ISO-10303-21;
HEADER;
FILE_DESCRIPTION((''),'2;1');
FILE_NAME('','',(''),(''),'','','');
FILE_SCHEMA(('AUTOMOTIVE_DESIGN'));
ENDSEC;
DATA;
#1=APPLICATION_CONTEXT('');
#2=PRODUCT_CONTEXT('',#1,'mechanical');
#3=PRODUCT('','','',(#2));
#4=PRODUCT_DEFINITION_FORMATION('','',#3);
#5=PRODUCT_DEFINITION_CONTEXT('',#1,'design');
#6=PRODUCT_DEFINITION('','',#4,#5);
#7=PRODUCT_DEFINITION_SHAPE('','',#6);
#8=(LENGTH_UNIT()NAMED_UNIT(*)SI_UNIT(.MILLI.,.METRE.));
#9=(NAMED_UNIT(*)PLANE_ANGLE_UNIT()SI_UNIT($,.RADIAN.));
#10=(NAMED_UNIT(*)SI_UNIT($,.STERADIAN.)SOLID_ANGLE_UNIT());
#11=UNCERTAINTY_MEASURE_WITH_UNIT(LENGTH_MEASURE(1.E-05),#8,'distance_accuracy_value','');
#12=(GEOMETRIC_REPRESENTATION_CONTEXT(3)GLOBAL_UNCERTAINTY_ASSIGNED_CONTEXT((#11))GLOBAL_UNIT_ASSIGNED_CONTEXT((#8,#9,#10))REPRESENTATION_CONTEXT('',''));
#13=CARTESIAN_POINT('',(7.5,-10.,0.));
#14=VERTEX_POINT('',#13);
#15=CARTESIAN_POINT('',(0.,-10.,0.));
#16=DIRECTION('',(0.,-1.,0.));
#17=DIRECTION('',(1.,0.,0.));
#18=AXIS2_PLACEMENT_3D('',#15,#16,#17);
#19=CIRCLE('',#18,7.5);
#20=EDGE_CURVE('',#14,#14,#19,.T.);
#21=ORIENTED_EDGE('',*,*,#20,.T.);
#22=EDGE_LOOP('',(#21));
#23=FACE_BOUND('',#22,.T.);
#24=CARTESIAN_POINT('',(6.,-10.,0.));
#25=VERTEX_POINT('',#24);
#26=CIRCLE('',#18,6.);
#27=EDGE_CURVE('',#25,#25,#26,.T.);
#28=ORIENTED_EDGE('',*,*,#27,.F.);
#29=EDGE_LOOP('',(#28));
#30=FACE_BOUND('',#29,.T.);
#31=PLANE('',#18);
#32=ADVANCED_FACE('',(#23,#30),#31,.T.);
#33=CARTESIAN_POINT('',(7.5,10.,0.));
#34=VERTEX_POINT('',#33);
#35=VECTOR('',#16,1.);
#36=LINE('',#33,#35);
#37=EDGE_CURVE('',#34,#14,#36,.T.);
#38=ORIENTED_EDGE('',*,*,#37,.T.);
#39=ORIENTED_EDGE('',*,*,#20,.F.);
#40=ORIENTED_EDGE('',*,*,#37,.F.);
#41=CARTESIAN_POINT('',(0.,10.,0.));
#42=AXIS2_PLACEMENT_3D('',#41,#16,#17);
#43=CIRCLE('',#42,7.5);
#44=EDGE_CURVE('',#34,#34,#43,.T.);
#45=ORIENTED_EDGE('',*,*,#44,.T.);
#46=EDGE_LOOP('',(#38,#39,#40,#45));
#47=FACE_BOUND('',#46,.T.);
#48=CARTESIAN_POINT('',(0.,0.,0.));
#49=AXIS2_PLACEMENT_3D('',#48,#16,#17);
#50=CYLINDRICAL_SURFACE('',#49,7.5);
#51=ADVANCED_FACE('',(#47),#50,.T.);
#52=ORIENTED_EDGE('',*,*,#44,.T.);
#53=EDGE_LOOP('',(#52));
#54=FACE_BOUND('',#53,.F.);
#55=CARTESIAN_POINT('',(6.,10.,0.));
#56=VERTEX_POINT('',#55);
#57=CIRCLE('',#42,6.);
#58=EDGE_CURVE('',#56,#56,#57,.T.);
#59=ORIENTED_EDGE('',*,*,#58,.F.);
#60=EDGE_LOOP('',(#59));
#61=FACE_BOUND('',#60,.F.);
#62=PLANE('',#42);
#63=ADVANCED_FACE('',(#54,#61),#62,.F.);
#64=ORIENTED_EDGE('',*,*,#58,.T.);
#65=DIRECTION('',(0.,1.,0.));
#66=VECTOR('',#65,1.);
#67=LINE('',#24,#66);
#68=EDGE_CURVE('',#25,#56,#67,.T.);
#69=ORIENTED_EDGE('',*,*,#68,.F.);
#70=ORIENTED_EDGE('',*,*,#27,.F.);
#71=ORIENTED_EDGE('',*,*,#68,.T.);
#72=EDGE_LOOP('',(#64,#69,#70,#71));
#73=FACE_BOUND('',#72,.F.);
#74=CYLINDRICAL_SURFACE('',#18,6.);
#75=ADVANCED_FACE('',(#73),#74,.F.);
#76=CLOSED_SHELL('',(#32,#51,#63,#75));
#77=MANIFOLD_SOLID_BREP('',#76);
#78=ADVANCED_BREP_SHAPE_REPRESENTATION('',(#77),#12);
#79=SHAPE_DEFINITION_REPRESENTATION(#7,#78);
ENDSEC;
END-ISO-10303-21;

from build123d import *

# Parameters (mm, degrees)
SKETCH_R     = 7.5
PAD_DEPTH    = 10
SKETCH001_R  = 6
POCKET_DEPTH = 20.001


with BuildPart() as part:
    # Sketch → Pad (new body, symmetric)
    with BuildSketch(Plane.XZ):
        Circle(SKETCH_R)
    extrude(amount=PAD_DEPTH, both=True)

    # Sketch001 → Pocket (cut, through all)
    with BuildSketch(Plane.XZ.offset(10)):
        Circle(SKETCH001_R)
    extrude(amount=-POCKET_DEPTH, mode=Mode.SUBTRACT)


solid = part.part
